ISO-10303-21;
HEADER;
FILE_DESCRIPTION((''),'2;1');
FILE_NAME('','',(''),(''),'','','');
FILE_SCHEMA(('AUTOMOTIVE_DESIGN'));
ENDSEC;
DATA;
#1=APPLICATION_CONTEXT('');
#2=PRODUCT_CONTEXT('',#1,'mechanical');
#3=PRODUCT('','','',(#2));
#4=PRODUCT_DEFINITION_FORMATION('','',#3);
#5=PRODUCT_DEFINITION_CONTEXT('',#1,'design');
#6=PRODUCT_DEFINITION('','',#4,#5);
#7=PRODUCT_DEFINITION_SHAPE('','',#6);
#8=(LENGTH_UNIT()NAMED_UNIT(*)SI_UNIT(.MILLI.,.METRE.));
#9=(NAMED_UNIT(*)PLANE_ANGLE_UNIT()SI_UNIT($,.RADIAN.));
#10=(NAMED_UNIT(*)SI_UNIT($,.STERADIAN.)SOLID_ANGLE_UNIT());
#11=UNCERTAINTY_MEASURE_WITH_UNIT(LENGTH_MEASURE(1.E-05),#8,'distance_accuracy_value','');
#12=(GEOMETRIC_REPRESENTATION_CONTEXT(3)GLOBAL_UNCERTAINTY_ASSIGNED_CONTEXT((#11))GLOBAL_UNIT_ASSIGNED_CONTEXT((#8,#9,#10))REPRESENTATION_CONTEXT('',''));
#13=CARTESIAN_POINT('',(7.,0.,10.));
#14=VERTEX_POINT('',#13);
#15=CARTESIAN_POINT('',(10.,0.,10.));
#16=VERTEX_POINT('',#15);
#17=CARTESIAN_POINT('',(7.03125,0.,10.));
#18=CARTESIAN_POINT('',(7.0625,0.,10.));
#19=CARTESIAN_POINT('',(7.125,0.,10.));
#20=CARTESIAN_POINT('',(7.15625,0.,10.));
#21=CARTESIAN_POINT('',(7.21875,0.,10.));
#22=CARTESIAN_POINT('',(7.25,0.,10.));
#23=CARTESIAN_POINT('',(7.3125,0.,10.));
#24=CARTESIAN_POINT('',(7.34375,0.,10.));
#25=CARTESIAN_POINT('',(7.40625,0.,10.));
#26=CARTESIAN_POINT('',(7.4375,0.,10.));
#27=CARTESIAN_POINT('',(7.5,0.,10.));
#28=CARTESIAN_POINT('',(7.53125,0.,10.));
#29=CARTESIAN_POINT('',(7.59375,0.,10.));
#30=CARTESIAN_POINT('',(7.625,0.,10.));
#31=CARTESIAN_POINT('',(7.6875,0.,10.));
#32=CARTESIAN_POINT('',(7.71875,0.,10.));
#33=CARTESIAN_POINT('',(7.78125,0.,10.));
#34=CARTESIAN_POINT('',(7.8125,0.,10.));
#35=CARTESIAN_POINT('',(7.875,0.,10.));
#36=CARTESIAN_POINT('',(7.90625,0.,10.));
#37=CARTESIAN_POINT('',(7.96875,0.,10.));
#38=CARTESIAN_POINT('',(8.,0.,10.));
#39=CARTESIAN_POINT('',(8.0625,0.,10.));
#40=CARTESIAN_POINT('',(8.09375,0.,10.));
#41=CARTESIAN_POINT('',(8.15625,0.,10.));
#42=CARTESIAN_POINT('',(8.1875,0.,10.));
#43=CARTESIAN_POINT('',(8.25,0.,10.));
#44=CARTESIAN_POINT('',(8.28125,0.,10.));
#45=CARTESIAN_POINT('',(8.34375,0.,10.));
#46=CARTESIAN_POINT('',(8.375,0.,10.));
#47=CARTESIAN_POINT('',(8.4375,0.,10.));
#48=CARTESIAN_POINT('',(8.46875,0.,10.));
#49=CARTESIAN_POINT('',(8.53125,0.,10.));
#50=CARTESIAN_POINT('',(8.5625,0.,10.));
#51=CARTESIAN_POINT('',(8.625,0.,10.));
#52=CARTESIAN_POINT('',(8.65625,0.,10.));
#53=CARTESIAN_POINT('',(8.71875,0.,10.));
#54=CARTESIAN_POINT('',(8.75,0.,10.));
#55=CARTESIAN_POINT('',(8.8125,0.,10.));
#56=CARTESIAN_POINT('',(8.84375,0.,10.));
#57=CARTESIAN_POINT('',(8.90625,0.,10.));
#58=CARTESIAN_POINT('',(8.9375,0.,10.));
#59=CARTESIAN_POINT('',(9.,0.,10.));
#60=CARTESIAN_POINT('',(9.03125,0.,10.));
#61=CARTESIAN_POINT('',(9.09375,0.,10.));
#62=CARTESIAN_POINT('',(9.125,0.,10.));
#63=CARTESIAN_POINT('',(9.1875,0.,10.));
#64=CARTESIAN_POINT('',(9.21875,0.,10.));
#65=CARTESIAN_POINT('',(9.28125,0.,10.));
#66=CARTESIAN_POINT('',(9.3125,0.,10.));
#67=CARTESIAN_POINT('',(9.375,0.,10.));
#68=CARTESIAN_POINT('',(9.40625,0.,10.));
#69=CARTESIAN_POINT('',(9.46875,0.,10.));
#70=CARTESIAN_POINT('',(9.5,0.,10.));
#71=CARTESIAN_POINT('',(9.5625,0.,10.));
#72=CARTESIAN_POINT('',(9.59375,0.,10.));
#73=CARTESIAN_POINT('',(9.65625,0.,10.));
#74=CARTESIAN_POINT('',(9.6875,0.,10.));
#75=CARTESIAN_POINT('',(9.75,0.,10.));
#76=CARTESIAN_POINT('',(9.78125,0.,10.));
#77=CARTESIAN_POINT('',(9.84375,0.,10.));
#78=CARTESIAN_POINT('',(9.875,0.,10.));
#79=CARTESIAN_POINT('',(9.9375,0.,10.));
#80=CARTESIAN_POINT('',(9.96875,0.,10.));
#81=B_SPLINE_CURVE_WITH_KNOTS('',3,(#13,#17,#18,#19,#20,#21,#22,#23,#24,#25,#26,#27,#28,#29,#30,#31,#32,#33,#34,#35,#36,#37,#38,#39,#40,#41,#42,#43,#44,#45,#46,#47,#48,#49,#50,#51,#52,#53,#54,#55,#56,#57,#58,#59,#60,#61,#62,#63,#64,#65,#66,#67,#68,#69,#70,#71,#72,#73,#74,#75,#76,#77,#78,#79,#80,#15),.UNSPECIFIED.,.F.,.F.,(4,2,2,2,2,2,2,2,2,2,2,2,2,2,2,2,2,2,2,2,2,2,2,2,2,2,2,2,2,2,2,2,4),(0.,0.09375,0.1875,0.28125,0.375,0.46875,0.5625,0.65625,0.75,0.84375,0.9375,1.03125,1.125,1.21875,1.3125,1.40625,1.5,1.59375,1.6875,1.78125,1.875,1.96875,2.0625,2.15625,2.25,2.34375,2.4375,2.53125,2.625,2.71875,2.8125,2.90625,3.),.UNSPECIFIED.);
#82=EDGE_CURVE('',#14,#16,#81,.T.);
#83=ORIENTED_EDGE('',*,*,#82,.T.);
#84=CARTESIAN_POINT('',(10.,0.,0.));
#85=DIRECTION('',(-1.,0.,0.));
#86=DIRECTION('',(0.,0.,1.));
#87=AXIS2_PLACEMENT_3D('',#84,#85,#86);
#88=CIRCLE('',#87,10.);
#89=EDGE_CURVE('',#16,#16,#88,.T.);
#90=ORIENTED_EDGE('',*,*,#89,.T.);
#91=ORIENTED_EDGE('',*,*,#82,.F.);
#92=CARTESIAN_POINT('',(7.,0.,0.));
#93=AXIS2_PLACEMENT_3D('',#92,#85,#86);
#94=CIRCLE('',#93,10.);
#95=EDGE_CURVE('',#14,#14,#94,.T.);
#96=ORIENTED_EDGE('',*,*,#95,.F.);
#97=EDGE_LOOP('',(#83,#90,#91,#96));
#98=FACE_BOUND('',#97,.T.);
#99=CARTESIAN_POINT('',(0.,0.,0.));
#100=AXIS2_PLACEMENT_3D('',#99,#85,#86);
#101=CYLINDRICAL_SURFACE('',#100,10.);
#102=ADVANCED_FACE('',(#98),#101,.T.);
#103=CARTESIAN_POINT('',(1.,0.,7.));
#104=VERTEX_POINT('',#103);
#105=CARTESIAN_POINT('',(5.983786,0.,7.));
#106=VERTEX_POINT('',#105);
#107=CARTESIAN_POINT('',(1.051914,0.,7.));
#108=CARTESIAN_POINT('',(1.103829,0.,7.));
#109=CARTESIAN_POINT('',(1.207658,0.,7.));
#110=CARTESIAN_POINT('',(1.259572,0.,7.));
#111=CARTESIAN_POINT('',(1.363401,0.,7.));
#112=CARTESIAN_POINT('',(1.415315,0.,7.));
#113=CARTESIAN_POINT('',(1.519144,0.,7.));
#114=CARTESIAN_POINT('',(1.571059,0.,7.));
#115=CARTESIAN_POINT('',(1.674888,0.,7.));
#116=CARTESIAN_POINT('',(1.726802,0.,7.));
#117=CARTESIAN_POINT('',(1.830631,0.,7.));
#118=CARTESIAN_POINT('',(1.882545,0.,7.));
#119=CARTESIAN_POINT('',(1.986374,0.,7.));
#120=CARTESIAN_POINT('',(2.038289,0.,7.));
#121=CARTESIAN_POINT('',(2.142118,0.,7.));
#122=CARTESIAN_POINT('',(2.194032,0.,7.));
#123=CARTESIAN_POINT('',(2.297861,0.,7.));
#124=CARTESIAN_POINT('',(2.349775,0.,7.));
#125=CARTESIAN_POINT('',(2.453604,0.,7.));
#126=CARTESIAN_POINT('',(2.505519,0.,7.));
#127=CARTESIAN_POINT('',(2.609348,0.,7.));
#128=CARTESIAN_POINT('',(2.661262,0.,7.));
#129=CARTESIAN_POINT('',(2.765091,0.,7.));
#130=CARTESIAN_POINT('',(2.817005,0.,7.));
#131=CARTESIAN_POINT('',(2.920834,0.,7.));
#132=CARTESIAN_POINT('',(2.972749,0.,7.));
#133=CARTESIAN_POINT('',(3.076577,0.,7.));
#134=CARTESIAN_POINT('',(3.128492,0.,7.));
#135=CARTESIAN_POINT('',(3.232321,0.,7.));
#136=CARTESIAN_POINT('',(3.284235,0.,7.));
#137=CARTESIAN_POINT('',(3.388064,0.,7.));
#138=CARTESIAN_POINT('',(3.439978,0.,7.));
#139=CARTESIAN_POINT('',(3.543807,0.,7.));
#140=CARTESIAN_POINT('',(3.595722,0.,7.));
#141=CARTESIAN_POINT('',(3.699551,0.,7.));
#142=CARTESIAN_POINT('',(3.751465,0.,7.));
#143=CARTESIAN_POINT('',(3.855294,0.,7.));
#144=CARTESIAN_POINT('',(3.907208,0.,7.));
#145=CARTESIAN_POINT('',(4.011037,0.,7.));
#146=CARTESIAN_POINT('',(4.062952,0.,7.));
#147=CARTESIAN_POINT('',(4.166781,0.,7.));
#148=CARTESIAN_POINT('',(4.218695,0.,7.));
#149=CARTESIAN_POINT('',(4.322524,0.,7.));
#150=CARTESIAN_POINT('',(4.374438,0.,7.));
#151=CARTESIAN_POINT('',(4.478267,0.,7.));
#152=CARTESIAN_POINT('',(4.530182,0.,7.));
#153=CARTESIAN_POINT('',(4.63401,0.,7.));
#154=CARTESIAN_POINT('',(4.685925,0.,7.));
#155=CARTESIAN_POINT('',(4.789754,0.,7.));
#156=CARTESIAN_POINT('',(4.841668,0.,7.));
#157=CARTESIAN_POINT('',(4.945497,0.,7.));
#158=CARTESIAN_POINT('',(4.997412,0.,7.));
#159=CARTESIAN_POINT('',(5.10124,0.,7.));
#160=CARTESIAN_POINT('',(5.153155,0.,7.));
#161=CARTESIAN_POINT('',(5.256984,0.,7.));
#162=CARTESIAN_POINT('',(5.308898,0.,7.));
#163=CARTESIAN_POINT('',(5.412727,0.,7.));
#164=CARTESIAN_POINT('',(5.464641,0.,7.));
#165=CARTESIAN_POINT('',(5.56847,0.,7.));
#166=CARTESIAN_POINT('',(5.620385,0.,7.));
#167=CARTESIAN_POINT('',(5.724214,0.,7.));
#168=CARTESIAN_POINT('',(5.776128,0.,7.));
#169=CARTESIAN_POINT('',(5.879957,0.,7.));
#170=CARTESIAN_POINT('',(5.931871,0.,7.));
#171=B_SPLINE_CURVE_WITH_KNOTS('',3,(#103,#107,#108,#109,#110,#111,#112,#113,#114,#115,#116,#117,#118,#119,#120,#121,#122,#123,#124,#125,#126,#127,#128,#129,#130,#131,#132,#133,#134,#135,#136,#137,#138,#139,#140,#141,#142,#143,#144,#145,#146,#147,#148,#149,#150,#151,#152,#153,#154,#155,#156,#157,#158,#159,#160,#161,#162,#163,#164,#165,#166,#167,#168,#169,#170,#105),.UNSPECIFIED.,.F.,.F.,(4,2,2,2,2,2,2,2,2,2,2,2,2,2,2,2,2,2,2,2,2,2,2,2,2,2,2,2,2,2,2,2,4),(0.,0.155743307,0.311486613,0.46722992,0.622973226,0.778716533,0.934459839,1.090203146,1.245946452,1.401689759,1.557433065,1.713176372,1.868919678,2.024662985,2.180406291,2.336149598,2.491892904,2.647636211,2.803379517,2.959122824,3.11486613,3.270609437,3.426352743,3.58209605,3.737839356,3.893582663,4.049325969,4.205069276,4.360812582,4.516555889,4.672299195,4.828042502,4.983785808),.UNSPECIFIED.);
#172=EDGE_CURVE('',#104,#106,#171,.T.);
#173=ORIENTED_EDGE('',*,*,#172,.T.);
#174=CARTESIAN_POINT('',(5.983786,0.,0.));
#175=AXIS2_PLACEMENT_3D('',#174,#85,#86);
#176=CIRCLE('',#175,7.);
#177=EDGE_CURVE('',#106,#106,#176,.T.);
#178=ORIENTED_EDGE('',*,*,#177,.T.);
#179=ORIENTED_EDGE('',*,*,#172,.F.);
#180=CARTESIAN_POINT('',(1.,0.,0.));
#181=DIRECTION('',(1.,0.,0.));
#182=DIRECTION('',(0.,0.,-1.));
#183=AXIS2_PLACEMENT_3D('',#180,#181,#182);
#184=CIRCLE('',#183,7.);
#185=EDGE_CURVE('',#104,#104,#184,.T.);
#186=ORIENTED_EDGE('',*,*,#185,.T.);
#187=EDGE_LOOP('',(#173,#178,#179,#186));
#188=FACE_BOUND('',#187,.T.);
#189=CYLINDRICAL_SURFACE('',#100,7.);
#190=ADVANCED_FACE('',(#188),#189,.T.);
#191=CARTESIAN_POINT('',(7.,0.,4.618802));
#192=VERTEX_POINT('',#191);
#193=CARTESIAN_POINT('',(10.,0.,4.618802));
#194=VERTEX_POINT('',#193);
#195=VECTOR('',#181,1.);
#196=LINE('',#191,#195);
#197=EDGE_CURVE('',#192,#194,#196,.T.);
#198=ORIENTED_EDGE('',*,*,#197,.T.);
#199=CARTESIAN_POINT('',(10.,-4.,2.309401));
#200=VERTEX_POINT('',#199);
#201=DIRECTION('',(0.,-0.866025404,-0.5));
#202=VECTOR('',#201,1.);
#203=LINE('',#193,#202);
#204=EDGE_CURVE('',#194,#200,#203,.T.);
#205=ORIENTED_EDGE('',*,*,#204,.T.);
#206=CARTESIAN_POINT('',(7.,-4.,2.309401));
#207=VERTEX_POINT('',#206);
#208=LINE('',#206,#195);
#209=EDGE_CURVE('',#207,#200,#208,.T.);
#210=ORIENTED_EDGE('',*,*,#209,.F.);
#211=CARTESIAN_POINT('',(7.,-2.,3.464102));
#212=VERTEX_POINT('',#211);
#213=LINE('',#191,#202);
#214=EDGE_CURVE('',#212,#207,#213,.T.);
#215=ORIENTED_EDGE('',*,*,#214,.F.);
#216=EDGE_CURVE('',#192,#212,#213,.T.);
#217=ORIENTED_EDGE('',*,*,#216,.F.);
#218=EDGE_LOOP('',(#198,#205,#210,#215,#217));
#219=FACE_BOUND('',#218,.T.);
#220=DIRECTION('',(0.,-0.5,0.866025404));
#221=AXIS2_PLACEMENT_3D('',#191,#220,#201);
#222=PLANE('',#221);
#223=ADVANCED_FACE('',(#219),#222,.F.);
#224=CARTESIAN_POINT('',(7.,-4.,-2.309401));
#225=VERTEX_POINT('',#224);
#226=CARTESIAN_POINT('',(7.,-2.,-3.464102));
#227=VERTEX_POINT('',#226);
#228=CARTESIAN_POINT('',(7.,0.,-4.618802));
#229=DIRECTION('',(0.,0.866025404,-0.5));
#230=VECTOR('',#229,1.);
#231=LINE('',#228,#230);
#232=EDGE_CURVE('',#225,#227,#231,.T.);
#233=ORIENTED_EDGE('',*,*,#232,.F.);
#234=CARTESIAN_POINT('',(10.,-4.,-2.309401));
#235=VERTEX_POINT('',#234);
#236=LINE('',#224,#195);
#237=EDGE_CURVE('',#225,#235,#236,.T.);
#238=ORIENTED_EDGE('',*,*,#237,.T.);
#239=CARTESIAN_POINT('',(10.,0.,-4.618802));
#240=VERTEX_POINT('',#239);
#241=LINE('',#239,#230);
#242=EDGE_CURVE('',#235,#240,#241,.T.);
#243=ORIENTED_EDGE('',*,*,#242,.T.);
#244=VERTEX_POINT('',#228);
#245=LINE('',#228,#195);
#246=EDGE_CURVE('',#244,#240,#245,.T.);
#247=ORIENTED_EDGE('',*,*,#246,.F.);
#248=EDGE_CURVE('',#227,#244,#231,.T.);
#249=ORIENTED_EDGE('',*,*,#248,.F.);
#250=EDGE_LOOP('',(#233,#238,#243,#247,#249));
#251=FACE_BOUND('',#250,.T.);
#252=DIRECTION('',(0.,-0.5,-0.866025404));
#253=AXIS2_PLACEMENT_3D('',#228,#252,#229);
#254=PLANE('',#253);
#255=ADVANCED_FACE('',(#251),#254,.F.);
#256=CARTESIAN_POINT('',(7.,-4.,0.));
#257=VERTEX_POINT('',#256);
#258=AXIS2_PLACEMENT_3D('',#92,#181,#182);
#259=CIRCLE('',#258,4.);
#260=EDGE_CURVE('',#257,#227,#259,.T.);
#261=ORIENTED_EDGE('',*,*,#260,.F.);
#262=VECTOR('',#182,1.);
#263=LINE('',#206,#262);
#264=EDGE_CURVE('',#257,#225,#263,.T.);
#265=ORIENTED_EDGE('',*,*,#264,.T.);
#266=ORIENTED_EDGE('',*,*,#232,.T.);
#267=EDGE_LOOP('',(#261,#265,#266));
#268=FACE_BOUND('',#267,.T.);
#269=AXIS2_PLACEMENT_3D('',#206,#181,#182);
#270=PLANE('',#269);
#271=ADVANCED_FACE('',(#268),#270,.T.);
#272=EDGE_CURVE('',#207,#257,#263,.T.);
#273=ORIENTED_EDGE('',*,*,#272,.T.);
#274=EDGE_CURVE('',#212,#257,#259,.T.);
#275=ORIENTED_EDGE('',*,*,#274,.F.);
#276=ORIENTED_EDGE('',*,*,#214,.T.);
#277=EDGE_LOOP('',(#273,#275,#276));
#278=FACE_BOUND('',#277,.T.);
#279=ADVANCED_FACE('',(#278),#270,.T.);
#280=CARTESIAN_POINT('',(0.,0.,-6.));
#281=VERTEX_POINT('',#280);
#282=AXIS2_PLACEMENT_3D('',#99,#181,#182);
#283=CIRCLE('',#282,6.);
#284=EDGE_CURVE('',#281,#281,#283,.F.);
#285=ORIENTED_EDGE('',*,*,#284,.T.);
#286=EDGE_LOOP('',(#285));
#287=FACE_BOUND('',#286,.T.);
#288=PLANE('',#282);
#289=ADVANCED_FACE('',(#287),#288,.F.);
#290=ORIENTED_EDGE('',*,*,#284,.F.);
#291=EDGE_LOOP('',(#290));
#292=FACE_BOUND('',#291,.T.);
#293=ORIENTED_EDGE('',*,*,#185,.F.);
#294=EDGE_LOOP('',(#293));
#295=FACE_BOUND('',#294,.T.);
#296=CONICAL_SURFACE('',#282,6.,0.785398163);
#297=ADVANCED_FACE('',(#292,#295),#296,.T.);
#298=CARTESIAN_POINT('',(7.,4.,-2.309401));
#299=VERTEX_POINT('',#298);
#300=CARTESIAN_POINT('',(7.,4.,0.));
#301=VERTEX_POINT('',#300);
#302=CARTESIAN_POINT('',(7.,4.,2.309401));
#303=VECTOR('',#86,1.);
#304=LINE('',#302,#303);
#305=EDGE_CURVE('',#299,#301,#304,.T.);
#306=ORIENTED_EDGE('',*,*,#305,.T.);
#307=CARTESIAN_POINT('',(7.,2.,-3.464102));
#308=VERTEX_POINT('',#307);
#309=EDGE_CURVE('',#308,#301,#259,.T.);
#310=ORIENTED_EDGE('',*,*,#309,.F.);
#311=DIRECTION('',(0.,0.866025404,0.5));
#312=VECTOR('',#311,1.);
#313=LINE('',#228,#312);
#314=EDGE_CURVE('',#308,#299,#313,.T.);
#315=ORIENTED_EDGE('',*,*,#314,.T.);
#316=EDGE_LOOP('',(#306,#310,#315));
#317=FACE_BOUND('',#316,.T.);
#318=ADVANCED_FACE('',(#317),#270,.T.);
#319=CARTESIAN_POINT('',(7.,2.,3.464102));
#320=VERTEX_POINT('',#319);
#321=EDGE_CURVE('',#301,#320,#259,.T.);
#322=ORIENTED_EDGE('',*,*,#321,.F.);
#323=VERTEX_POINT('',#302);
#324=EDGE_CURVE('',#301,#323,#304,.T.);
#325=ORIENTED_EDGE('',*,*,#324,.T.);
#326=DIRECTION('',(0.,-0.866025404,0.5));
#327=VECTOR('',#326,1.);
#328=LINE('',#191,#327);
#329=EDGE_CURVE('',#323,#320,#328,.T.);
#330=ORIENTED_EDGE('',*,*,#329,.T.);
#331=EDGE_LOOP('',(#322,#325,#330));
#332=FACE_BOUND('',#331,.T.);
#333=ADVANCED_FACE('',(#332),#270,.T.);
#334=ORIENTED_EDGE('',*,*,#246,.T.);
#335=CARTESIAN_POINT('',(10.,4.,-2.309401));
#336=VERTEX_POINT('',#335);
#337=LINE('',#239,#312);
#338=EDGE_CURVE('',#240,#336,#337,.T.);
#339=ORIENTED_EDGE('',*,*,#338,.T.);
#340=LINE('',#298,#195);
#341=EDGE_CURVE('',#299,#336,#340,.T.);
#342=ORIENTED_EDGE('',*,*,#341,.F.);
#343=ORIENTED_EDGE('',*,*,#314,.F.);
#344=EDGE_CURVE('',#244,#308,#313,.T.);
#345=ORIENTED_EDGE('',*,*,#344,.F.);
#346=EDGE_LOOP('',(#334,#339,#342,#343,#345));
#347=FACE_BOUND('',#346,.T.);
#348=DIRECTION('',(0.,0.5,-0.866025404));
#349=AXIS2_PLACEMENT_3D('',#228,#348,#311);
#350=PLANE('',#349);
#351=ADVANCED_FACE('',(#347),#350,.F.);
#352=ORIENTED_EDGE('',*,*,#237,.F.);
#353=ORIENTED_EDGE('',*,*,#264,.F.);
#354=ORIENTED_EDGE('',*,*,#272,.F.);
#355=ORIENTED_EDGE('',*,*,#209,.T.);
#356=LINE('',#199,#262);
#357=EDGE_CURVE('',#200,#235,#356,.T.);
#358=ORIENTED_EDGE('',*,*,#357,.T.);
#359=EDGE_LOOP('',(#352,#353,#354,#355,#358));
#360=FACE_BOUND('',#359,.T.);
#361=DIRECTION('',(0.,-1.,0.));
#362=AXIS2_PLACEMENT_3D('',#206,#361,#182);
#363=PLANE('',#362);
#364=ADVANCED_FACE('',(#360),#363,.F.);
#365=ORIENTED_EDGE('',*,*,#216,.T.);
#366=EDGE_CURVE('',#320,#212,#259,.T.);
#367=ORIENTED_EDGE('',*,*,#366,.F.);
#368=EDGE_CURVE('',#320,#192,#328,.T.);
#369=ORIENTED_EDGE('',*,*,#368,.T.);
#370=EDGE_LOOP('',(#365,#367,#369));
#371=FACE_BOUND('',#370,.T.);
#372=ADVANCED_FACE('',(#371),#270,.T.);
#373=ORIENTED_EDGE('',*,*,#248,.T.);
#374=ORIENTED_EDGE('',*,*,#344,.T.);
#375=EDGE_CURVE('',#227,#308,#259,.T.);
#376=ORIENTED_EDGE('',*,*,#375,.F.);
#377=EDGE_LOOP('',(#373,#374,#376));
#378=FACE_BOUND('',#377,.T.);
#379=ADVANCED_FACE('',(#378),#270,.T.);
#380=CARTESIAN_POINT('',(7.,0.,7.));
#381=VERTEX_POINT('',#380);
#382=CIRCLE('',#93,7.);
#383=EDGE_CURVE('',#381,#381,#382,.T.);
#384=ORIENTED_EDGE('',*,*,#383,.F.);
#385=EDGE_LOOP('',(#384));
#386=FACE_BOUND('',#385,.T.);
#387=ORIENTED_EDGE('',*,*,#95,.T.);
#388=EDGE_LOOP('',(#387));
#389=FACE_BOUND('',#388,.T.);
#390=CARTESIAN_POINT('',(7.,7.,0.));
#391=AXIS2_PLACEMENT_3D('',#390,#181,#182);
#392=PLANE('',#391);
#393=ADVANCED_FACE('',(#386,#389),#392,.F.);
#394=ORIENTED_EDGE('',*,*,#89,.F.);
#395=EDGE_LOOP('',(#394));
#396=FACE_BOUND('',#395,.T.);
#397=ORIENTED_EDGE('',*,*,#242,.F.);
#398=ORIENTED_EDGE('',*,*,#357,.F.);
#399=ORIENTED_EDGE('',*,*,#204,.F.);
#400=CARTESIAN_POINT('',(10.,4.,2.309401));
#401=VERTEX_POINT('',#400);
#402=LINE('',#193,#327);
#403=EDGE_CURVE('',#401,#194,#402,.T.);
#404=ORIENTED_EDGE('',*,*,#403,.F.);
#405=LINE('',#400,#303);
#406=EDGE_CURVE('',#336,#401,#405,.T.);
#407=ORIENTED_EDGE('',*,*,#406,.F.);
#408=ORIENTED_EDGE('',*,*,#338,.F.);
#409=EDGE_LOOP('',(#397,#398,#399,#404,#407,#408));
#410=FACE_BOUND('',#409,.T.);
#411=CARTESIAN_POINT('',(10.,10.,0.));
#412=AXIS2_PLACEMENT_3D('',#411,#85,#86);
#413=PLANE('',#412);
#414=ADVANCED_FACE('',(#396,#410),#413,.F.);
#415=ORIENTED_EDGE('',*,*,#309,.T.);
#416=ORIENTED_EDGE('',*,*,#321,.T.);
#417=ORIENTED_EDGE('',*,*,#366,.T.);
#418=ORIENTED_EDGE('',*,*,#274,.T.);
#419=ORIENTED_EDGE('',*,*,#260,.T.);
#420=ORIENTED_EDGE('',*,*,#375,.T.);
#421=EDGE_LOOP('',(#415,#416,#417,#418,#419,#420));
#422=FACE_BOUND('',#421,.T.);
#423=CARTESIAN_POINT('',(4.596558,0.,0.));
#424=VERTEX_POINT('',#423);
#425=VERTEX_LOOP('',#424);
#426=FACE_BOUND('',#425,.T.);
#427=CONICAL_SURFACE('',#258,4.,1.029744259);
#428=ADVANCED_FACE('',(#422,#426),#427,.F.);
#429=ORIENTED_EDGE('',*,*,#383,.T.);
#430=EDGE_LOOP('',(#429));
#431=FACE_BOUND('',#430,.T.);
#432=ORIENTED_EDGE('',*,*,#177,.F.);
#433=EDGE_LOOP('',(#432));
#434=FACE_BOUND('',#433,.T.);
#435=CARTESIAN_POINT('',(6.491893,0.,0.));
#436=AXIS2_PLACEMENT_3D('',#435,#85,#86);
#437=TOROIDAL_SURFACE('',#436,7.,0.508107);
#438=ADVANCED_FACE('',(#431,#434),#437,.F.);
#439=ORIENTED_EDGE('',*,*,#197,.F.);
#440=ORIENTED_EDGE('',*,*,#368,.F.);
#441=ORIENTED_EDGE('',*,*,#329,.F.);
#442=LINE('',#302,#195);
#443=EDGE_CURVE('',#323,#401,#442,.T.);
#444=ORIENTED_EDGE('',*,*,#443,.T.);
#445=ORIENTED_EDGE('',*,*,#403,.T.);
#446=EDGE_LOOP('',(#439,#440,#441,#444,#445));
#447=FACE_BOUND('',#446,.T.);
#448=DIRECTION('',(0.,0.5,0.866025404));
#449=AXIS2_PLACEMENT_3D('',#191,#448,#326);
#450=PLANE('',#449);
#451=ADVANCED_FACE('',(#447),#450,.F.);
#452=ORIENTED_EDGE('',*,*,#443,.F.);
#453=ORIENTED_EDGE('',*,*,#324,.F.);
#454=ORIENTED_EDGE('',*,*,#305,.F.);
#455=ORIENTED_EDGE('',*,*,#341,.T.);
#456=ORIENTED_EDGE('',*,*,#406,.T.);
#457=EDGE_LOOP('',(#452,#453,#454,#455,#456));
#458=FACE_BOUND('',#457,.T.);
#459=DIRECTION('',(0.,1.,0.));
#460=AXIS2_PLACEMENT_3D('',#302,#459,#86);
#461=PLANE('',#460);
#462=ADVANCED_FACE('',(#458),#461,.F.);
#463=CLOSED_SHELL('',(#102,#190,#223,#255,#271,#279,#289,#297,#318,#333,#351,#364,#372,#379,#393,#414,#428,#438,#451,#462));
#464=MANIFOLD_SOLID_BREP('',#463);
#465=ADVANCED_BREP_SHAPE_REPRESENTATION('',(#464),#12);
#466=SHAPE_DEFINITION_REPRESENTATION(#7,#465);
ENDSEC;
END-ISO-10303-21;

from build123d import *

# Parameters (mm, degrees)
ENL_V_MAT_EXTRU_1_DEPTH = 3
CHANFREIN1_SIZE         = 1


with BuildPart() as part:
    # Esquisse1 → Révolution1 (revolve)
    with BuildSketch(Plane.XY, mode=Mode.PRIVATE) as r_volution1_sk:
        with BuildLine():
            Line((0, 0), (0, 7))
            Line((0, 7), (5.983785808, 7))
            ThreePointArc((5.983785808, 7), (6.491892904, 6.491892904), (7, 7))
            Line((7, 7), (7, 10))
            Line((7, 10), (10, 10))
            Line((10, 10), (10, 0))
            Line((10, 0), (0, 0))
        make_face()
    revolve(r_volution1_sk.sketch.rotate(Axis((0, 0, 0), (1, 0, 0)), 90), axis=Axis((0, 0, 0), (1, 0, 0)))

    # Esquisse5 → Diamètre du perçage Ø8.0 (8)1 (revolve, cut)
    with BuildSketch(Plane(origin=(10, 0, 0), x_dir=(0, 0, -1), z_dir=(0, 1, 0))):
        Polygon((0, 0), (0, 5.403442476), (4, 3), (4, 0), align=None)
    revolve(axis=Axis((16.35, 0, 0), (-1, 0, 0)), mode=Mode.SUBTRACT)

    # Esquisse3 → Enlèv. mat.-Extru.1 (cut)
    with BuildSketch(Plane(origin=(10, 0, 0), x_dir=(0, 0, -1), z_dir=(1, 0, 0))):
        Polygon((-4.618802154, 0), (-2.309401077, 4), (2.309401077, 4), (4.618802154, 0), (2.309401077, -4), (-2.309401077, -4), align=None)
    extrude(amount=-ENL_V_MAT_EXTRU_1_DEPTH, mode=Mode.SUBTRACT)

    # Chanfrein1
    chanfrein1_edges = [part.edges().sort_by_distance(p)[0] for p in [
        (0, 0, -7),
    ]]
    chamfer(chanfrein1_edges, length=CHANFREIN1_SIZE)


solid = part.part
